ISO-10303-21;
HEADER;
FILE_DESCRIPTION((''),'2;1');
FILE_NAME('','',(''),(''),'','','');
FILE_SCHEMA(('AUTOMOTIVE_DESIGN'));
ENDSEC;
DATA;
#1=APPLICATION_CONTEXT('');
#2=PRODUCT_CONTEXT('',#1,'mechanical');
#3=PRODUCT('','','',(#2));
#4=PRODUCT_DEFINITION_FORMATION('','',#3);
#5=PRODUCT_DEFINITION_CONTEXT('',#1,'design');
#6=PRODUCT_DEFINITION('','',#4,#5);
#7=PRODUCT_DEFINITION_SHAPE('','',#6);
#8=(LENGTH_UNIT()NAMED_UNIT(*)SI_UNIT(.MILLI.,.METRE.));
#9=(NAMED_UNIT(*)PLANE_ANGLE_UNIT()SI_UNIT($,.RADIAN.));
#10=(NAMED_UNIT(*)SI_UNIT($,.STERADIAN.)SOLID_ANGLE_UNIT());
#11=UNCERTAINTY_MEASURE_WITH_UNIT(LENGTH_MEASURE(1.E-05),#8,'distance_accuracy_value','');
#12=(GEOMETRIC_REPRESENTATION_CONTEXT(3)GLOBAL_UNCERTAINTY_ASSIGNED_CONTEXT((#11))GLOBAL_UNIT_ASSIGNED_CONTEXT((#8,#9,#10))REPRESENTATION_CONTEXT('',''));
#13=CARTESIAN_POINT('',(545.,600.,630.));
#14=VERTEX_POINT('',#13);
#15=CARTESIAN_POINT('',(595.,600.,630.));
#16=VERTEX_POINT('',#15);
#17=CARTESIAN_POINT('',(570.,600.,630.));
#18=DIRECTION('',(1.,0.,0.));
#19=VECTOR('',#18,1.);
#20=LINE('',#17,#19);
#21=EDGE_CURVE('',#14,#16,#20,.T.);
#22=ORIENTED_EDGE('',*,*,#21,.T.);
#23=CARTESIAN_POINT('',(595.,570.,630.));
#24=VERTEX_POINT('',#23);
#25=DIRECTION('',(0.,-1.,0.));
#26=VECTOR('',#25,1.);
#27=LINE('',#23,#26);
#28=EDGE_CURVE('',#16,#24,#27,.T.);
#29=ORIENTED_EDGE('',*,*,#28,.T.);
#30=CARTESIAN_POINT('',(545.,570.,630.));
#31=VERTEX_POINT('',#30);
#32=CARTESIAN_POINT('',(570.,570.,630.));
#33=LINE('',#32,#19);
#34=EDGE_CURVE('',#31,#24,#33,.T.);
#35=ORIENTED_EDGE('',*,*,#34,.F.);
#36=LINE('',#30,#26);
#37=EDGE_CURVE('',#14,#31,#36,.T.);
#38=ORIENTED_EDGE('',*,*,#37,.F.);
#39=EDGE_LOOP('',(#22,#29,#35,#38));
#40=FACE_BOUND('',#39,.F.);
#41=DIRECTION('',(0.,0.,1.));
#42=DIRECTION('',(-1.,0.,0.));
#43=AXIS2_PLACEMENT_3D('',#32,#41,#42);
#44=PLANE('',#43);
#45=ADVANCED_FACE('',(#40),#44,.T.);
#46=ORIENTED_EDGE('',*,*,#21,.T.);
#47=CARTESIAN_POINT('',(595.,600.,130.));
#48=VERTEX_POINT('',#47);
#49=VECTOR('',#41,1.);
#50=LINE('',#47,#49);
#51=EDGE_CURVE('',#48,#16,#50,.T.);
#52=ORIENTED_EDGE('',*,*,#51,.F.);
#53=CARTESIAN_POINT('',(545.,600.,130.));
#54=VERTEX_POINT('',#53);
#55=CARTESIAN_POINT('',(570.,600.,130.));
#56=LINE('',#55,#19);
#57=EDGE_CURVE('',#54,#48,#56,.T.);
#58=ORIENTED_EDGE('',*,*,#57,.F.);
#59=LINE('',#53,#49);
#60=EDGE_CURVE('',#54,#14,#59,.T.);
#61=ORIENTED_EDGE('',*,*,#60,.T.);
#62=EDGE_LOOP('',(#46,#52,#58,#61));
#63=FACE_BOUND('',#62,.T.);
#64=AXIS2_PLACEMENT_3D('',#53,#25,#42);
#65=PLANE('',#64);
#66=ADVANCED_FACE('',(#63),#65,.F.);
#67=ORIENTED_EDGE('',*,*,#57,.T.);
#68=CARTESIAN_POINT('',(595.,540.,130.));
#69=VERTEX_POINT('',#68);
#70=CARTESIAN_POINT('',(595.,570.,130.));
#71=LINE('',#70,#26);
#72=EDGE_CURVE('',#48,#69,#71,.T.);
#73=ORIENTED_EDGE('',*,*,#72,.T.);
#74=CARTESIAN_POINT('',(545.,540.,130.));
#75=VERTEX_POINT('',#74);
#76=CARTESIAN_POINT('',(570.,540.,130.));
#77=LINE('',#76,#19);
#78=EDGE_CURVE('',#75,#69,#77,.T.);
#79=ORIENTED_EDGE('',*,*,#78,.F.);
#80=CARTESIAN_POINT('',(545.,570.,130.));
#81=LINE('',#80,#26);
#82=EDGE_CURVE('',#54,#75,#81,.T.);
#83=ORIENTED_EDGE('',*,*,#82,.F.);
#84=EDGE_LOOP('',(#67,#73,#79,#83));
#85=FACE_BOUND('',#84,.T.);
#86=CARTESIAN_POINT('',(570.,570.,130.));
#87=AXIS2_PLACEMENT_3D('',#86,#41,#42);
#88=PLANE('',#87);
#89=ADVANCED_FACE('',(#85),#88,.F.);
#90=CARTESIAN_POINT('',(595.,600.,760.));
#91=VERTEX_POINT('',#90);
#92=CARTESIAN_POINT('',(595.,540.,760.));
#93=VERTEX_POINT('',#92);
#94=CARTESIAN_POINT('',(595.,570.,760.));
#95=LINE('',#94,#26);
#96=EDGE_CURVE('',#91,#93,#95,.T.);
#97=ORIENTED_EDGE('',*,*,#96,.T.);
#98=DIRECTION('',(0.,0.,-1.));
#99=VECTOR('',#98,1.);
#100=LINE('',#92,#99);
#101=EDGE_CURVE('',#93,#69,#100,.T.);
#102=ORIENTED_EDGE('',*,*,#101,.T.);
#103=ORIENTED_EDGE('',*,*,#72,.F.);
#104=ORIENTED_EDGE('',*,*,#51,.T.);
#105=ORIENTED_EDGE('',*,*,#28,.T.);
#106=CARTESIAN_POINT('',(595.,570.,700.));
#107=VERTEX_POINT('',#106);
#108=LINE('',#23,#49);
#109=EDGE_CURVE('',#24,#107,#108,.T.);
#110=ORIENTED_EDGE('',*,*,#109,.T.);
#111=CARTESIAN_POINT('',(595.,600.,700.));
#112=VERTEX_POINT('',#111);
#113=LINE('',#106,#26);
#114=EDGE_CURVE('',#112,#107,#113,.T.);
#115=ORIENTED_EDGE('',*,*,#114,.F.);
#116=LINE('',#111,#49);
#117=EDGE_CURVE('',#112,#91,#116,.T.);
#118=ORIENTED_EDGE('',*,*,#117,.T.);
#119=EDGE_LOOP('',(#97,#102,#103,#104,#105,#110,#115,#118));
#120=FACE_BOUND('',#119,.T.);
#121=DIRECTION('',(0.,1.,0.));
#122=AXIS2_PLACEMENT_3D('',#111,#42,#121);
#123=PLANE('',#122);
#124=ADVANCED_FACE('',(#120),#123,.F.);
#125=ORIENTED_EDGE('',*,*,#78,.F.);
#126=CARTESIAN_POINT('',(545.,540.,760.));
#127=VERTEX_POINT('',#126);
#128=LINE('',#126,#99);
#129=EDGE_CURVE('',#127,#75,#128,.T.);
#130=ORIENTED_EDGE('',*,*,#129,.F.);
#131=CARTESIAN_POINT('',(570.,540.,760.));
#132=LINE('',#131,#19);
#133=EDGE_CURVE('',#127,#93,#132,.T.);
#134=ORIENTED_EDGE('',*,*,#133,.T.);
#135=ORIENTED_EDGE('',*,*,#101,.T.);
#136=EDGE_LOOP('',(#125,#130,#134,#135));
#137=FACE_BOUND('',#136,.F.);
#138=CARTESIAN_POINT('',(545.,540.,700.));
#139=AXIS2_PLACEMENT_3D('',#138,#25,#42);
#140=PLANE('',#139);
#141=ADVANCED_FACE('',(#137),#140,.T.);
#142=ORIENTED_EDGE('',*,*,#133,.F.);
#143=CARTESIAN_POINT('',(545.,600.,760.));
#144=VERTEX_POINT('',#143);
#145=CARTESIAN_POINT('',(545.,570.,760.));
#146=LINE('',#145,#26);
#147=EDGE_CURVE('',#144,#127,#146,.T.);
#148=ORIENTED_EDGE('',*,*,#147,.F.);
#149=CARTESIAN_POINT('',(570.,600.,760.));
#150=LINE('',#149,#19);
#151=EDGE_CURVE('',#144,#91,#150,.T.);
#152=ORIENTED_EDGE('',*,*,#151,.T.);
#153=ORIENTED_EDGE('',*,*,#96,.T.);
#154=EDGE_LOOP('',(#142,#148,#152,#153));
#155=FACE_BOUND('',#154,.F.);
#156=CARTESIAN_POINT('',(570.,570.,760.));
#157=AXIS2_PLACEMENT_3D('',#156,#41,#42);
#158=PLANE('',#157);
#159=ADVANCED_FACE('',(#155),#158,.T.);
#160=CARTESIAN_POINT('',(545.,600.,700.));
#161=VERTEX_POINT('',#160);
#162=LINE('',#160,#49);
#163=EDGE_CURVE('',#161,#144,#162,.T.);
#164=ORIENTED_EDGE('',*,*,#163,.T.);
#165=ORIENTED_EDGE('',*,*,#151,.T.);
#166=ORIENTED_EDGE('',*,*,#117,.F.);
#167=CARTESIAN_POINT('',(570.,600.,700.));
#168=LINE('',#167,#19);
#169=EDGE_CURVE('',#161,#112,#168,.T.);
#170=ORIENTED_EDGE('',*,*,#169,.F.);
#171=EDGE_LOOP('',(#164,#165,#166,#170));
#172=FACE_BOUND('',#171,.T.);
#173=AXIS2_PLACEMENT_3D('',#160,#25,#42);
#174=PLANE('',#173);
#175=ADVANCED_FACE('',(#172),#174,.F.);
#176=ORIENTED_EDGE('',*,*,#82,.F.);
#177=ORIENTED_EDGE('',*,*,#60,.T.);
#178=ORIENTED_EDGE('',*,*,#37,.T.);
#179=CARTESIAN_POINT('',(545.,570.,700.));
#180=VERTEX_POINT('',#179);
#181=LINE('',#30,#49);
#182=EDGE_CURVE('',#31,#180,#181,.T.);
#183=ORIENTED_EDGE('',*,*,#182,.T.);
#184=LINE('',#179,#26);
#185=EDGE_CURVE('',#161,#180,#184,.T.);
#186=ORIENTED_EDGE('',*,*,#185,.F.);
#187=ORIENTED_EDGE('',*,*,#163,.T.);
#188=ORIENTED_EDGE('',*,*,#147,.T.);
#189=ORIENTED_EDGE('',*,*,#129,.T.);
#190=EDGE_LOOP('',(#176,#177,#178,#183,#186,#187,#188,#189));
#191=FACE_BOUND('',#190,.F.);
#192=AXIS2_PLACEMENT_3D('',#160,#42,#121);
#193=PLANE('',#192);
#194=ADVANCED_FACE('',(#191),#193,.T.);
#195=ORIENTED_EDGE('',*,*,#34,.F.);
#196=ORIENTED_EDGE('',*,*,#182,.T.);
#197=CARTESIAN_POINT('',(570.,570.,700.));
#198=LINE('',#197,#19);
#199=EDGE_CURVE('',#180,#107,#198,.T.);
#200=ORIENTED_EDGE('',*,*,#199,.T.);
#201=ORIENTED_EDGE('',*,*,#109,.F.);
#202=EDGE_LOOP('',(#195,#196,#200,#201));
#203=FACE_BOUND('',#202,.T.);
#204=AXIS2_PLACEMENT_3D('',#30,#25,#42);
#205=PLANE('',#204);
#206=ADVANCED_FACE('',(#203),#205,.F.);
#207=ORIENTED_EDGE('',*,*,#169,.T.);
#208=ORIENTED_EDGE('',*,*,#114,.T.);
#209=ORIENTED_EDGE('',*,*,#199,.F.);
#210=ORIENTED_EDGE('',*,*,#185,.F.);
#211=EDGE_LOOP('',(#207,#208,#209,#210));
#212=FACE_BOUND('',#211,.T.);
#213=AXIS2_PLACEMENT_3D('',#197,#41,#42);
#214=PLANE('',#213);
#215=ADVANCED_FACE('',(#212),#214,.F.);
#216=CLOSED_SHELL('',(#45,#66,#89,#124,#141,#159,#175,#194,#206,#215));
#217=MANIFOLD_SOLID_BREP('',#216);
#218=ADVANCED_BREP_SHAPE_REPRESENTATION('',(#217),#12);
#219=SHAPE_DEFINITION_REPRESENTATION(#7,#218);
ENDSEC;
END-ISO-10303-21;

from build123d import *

# Parameters (mm, degrees)
SKETCH006_W      = 50
SKETCH006_H      = 30
EXTRUDE006_DEPTH = 70
SKETCH007_W      = 50
SKETCH007_H      = 60
EXTRUDE007_DEPTH = 60
SKETCH005_W      = 50
SKETCH005_H      = 60
EXTRUDE005_DEPTH = 500


with BuildPart() as montante_corte:
    # Sketch006 (on Face6 of Extrude005) → Extrude006 (new body)
    with BuildSketch(Plane.XY.offset(630)):
        with Locations((570, 45)):
            Rectangle(SKETCH006_W, SKETCH006_H)
    extrude(amount=EXTRUDE006_DEPTH)


with BuildPart() as montante_cabeca:
    # Sketch007 (on Face6 of Extrude006) → Extrude007 (new body)
    with BuildSketch(Plane.XY.offset(700)):
        with Locations((570, 30)):
            Rectangle(SKETCH007_W, SKETCH007_H)
    extrude(amount=EXTRUDE007_DEPTH)


with BuildPart() as fusion:
    # Sketch005 (on Face14 of Extrude004) → Extrude005 (new body)
    with BuildSketch(Plane.XY.offset(130)):
        with Locations((570, 30)):
            Rectangle(SKETCH005_W, SKETCH005_H)
    extrude(amount=EXTRUDE005_DEPTH)

    # Fusion: union Montante-corte, Montante-cabeca
    add(montante_corte.part)
    add(montante_cabeca.part)


with BuildPart() as fusion_mirrored:
    # mirror: instance of Fusion
    add(fusion.part.mirror(Plane(origin=(1140, 300, 120), x_dir=(1, 0, 0), z_dir=(0, 1, 0))))


solid = fusion_mirrored.part
